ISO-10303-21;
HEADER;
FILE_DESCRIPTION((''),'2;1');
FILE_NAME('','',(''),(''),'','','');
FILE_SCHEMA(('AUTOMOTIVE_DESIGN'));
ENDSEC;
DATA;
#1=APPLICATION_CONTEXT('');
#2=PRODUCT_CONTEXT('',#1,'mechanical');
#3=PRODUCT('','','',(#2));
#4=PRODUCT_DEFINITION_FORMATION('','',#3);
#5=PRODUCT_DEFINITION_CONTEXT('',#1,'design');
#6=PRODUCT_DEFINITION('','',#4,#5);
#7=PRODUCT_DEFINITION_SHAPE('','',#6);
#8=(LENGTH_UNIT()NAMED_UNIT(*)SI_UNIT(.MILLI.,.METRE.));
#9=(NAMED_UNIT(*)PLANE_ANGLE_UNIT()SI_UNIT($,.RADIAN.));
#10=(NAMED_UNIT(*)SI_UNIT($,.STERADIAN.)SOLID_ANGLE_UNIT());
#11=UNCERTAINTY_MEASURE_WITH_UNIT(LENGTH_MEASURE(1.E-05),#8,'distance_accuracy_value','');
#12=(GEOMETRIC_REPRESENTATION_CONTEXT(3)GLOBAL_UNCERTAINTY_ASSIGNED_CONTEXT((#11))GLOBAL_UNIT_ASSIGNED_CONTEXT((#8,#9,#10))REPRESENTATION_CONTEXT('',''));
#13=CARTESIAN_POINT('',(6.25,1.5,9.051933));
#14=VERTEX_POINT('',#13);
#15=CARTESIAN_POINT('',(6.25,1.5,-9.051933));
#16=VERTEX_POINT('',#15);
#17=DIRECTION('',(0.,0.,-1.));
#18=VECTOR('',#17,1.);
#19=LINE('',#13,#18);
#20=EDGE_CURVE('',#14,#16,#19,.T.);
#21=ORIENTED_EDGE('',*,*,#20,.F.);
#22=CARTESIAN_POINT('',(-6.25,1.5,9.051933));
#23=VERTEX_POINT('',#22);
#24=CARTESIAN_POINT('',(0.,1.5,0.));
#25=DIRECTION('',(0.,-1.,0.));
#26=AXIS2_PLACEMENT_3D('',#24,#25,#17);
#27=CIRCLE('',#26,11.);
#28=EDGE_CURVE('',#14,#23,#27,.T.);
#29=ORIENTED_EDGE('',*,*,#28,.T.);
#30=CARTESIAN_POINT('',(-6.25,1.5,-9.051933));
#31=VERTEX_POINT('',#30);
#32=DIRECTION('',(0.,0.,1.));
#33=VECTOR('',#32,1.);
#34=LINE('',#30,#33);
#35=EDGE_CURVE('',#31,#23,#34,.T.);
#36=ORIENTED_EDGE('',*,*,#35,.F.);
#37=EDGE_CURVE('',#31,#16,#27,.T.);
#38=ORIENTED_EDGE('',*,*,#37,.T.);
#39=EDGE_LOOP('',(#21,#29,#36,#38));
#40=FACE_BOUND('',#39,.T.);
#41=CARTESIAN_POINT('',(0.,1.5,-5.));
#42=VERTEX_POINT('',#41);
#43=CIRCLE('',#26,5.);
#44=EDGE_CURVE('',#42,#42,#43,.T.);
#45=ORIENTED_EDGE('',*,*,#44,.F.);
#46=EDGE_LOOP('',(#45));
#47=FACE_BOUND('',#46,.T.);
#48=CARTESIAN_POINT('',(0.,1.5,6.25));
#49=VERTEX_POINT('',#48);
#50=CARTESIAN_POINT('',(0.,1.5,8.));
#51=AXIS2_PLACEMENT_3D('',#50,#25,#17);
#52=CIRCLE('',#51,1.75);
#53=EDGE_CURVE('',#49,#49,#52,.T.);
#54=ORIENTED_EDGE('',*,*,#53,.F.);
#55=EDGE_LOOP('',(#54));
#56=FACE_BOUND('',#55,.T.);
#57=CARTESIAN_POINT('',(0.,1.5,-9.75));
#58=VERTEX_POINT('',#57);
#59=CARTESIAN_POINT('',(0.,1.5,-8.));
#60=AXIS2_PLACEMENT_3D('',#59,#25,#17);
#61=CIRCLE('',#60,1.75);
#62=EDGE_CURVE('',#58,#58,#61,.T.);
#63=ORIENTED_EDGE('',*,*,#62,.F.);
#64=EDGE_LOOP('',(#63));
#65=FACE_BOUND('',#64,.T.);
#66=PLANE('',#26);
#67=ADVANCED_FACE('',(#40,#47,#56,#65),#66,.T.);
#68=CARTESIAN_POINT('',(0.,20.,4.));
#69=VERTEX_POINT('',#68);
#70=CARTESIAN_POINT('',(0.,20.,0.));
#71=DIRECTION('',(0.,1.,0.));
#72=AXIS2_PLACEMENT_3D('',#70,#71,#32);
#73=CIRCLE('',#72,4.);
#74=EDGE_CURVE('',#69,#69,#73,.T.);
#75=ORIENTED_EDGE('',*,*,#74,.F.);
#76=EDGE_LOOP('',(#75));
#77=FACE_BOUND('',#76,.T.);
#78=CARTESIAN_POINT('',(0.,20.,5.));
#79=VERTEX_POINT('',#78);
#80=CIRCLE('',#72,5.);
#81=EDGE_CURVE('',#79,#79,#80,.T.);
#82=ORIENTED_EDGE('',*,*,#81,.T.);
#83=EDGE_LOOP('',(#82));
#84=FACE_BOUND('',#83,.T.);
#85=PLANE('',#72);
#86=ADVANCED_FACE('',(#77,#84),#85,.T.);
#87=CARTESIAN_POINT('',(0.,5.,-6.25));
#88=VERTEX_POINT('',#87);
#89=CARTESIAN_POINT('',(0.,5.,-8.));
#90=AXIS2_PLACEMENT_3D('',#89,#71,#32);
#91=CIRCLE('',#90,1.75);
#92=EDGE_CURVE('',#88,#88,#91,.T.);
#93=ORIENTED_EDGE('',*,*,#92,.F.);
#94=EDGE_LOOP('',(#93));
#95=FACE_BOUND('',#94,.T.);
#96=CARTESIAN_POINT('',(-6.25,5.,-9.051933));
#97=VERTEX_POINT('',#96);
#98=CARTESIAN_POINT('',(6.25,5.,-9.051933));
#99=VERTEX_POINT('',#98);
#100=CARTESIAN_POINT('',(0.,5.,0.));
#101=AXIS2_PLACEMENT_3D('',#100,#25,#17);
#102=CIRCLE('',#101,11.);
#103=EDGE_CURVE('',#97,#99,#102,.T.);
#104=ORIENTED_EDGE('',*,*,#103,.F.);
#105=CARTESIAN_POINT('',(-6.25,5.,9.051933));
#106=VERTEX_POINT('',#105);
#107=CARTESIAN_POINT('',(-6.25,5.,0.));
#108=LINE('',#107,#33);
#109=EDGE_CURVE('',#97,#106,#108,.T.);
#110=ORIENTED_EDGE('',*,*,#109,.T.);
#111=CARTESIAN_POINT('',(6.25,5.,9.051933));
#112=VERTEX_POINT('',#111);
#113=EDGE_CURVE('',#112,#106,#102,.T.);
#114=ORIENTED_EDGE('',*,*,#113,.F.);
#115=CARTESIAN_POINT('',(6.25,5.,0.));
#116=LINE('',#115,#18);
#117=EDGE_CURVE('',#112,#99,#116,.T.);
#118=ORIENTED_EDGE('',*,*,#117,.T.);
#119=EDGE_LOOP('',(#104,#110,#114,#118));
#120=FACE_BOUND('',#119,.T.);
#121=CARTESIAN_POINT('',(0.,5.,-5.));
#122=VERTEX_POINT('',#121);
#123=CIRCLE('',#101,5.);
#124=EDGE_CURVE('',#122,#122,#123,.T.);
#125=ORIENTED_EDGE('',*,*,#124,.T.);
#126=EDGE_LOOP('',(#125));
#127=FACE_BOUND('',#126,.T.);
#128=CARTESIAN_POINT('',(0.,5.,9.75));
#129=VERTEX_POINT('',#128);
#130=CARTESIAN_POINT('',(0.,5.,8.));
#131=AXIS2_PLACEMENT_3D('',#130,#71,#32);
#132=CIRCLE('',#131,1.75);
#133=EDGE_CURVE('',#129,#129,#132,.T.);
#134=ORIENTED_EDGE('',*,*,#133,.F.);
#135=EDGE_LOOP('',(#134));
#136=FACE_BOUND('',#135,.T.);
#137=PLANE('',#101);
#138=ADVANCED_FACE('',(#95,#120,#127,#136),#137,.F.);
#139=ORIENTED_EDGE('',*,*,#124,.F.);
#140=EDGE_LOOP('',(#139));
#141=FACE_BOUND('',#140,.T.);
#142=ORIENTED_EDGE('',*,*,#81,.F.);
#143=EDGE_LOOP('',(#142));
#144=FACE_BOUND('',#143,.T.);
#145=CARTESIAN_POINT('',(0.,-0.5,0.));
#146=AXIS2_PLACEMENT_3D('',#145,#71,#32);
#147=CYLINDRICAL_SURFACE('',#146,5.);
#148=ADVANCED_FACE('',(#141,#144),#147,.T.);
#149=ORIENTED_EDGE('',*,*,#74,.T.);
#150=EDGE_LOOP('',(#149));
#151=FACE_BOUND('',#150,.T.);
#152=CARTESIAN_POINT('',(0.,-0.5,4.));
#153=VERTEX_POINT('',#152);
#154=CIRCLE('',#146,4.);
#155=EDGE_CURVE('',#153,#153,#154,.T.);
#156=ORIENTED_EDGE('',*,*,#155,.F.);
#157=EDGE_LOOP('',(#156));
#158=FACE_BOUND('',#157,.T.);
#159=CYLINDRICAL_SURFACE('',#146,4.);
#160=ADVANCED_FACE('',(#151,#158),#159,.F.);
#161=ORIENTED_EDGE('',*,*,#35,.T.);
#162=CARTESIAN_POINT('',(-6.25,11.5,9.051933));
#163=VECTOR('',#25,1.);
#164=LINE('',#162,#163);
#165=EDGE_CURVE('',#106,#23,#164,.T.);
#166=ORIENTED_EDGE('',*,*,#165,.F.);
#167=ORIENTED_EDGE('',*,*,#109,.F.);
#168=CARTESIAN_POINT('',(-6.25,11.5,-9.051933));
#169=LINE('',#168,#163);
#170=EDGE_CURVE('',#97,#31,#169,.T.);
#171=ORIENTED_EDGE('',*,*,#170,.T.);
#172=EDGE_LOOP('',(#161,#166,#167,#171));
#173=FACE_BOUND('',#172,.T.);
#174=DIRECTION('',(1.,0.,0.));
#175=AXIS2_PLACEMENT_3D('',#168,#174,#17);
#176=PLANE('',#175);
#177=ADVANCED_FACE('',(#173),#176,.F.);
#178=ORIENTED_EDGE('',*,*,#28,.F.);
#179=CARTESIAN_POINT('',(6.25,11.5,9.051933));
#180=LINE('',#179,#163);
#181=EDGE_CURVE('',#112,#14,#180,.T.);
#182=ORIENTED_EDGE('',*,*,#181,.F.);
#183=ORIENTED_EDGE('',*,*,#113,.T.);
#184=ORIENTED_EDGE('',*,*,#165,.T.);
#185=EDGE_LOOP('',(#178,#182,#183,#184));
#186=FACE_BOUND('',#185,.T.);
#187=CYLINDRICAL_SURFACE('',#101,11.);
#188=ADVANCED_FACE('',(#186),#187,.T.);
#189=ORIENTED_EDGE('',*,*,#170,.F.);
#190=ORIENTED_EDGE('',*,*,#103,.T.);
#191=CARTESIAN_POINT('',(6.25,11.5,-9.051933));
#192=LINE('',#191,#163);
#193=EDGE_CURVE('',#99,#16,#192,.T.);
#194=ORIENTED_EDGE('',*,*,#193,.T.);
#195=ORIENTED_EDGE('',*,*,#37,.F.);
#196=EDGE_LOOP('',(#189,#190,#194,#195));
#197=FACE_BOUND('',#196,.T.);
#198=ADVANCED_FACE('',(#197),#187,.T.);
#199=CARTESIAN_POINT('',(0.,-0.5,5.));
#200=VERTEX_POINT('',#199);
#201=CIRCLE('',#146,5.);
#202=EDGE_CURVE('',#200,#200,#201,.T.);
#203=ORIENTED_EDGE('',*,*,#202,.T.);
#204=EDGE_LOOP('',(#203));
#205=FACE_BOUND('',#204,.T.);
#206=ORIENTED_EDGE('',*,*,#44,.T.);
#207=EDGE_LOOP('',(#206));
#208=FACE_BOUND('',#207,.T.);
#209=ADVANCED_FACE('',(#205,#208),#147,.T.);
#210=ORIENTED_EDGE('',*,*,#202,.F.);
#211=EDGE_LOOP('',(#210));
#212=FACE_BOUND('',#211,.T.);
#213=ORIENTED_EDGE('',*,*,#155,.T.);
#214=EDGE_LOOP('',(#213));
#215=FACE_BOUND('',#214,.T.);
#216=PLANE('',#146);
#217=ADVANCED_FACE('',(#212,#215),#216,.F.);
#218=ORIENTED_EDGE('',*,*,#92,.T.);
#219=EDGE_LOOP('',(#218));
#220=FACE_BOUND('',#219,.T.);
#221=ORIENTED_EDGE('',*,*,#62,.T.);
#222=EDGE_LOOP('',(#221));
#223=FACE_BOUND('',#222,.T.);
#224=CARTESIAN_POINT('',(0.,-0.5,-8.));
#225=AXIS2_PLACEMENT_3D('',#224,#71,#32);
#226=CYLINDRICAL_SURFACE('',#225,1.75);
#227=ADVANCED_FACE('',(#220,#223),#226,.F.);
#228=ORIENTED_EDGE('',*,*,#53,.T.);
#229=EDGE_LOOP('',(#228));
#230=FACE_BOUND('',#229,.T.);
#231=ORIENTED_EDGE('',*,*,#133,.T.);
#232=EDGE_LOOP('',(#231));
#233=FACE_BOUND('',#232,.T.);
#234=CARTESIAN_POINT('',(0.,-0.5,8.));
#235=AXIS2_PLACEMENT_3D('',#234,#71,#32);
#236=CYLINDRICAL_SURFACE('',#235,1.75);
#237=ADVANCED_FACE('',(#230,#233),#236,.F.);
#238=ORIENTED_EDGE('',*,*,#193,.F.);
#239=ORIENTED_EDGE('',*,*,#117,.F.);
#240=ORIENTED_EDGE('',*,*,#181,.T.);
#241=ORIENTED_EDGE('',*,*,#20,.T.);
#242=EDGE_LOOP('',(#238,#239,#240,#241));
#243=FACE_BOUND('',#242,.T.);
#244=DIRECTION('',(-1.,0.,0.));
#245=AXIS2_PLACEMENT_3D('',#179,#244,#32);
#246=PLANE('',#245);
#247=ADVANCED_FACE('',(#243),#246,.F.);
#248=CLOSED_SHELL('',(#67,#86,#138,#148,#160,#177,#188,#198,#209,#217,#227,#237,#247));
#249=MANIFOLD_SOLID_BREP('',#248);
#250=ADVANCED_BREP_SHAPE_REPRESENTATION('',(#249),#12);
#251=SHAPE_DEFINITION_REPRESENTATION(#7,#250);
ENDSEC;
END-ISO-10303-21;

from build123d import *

# Parameters (mm, degrees)
SKETCH_1_R           = 11
EXTRUDE_1_DEPTH      = 3.5
SKETCH_2_R           = 5
SKETCH_2_R_2         = 4
EXTRUDE_2_DEPTH      = 15
EXTRUDE_2_DEPTH_BACK = 5.5
SKETCH_3_R           = 4
SKETCH_3_R_2         = 1.75
CUT_EXTRUDE_1_DEPTH  = 6.5
CUT_EXTRUDE_2_DEPTH  = 10


with BuildPart() as part:
    # 草图1 → 凸台-拉伸1 (new body)
    with BuildSketch(Plane.XZ.offset(-1.5)):
        Circle(SKETCH_1_R)
    extrude(amount=-EXTRUDE_1_DEPTH)

    # 草图2 → 凸台-拉伸2 (add, two sides)
    with BuildSketch(Plane(origin=(0, 5, 0), x_dir=(1, 0, 0), z_dir=(0, 1, 0))) as extrude_2_sk:
        Circle(SKETCH_2_R)
        Circle(SKETCH_2_R_2, mode=Mode.SUBTRACT)
    extrude(amount=EXTRUDE_2_DEPTH)
    extrude(extrude_2_sk.sketch, amount=-EXTRUDE_2_DEPTH_BACK)

    # 草图3 → 切除-拉伸1 (cut, through all)
    with BuildSketch(Plane(origin=(0, 5, 0), x_dir=(1, 0, 0), z_dir=(0, 1, 0))):
        Circle(SKETCH_3_R)
        with Locations((-8, 0)):
            Circle(SKETCH_3_R_2)
        with Locations((0, 8)):
            Circle(SKETCH_3_R_2)
        with Locations((8, 0)):
            Circle(SKETCH_3_R_2)
        with Locations((0, -8)):
            Circle(SKETCH_3_R_2)
    extrude(amount=-CUT_EXTRUDE_1_DEPTH, mode=Mode.SUBTRACT)

    # 草图4 → 切除-拉伸2 (cut)
    with BuildSketch(Plane.XZ.offset(-1.5)):
        with BuildLine():
            Line((-6.25, -9.051933495), (-6.25, 9.051933495))
            ThreePointArc((-6.25, 9.051933495), (-11, 0), (-6.25, -9.051933495))
        make_face()
        with BuildLine():
            Line((6.25, 9.051933495), (6.25, -9.051933495))
            ThreePointArc((6.25, -9.051933495), (11, 0), (6.25, 9.051933495))
        make_face()
    extrude(amount=-CUT_EXTRUDE_2_DEPTH, mode=Mode.SUBTRACT)


solid = part.part
